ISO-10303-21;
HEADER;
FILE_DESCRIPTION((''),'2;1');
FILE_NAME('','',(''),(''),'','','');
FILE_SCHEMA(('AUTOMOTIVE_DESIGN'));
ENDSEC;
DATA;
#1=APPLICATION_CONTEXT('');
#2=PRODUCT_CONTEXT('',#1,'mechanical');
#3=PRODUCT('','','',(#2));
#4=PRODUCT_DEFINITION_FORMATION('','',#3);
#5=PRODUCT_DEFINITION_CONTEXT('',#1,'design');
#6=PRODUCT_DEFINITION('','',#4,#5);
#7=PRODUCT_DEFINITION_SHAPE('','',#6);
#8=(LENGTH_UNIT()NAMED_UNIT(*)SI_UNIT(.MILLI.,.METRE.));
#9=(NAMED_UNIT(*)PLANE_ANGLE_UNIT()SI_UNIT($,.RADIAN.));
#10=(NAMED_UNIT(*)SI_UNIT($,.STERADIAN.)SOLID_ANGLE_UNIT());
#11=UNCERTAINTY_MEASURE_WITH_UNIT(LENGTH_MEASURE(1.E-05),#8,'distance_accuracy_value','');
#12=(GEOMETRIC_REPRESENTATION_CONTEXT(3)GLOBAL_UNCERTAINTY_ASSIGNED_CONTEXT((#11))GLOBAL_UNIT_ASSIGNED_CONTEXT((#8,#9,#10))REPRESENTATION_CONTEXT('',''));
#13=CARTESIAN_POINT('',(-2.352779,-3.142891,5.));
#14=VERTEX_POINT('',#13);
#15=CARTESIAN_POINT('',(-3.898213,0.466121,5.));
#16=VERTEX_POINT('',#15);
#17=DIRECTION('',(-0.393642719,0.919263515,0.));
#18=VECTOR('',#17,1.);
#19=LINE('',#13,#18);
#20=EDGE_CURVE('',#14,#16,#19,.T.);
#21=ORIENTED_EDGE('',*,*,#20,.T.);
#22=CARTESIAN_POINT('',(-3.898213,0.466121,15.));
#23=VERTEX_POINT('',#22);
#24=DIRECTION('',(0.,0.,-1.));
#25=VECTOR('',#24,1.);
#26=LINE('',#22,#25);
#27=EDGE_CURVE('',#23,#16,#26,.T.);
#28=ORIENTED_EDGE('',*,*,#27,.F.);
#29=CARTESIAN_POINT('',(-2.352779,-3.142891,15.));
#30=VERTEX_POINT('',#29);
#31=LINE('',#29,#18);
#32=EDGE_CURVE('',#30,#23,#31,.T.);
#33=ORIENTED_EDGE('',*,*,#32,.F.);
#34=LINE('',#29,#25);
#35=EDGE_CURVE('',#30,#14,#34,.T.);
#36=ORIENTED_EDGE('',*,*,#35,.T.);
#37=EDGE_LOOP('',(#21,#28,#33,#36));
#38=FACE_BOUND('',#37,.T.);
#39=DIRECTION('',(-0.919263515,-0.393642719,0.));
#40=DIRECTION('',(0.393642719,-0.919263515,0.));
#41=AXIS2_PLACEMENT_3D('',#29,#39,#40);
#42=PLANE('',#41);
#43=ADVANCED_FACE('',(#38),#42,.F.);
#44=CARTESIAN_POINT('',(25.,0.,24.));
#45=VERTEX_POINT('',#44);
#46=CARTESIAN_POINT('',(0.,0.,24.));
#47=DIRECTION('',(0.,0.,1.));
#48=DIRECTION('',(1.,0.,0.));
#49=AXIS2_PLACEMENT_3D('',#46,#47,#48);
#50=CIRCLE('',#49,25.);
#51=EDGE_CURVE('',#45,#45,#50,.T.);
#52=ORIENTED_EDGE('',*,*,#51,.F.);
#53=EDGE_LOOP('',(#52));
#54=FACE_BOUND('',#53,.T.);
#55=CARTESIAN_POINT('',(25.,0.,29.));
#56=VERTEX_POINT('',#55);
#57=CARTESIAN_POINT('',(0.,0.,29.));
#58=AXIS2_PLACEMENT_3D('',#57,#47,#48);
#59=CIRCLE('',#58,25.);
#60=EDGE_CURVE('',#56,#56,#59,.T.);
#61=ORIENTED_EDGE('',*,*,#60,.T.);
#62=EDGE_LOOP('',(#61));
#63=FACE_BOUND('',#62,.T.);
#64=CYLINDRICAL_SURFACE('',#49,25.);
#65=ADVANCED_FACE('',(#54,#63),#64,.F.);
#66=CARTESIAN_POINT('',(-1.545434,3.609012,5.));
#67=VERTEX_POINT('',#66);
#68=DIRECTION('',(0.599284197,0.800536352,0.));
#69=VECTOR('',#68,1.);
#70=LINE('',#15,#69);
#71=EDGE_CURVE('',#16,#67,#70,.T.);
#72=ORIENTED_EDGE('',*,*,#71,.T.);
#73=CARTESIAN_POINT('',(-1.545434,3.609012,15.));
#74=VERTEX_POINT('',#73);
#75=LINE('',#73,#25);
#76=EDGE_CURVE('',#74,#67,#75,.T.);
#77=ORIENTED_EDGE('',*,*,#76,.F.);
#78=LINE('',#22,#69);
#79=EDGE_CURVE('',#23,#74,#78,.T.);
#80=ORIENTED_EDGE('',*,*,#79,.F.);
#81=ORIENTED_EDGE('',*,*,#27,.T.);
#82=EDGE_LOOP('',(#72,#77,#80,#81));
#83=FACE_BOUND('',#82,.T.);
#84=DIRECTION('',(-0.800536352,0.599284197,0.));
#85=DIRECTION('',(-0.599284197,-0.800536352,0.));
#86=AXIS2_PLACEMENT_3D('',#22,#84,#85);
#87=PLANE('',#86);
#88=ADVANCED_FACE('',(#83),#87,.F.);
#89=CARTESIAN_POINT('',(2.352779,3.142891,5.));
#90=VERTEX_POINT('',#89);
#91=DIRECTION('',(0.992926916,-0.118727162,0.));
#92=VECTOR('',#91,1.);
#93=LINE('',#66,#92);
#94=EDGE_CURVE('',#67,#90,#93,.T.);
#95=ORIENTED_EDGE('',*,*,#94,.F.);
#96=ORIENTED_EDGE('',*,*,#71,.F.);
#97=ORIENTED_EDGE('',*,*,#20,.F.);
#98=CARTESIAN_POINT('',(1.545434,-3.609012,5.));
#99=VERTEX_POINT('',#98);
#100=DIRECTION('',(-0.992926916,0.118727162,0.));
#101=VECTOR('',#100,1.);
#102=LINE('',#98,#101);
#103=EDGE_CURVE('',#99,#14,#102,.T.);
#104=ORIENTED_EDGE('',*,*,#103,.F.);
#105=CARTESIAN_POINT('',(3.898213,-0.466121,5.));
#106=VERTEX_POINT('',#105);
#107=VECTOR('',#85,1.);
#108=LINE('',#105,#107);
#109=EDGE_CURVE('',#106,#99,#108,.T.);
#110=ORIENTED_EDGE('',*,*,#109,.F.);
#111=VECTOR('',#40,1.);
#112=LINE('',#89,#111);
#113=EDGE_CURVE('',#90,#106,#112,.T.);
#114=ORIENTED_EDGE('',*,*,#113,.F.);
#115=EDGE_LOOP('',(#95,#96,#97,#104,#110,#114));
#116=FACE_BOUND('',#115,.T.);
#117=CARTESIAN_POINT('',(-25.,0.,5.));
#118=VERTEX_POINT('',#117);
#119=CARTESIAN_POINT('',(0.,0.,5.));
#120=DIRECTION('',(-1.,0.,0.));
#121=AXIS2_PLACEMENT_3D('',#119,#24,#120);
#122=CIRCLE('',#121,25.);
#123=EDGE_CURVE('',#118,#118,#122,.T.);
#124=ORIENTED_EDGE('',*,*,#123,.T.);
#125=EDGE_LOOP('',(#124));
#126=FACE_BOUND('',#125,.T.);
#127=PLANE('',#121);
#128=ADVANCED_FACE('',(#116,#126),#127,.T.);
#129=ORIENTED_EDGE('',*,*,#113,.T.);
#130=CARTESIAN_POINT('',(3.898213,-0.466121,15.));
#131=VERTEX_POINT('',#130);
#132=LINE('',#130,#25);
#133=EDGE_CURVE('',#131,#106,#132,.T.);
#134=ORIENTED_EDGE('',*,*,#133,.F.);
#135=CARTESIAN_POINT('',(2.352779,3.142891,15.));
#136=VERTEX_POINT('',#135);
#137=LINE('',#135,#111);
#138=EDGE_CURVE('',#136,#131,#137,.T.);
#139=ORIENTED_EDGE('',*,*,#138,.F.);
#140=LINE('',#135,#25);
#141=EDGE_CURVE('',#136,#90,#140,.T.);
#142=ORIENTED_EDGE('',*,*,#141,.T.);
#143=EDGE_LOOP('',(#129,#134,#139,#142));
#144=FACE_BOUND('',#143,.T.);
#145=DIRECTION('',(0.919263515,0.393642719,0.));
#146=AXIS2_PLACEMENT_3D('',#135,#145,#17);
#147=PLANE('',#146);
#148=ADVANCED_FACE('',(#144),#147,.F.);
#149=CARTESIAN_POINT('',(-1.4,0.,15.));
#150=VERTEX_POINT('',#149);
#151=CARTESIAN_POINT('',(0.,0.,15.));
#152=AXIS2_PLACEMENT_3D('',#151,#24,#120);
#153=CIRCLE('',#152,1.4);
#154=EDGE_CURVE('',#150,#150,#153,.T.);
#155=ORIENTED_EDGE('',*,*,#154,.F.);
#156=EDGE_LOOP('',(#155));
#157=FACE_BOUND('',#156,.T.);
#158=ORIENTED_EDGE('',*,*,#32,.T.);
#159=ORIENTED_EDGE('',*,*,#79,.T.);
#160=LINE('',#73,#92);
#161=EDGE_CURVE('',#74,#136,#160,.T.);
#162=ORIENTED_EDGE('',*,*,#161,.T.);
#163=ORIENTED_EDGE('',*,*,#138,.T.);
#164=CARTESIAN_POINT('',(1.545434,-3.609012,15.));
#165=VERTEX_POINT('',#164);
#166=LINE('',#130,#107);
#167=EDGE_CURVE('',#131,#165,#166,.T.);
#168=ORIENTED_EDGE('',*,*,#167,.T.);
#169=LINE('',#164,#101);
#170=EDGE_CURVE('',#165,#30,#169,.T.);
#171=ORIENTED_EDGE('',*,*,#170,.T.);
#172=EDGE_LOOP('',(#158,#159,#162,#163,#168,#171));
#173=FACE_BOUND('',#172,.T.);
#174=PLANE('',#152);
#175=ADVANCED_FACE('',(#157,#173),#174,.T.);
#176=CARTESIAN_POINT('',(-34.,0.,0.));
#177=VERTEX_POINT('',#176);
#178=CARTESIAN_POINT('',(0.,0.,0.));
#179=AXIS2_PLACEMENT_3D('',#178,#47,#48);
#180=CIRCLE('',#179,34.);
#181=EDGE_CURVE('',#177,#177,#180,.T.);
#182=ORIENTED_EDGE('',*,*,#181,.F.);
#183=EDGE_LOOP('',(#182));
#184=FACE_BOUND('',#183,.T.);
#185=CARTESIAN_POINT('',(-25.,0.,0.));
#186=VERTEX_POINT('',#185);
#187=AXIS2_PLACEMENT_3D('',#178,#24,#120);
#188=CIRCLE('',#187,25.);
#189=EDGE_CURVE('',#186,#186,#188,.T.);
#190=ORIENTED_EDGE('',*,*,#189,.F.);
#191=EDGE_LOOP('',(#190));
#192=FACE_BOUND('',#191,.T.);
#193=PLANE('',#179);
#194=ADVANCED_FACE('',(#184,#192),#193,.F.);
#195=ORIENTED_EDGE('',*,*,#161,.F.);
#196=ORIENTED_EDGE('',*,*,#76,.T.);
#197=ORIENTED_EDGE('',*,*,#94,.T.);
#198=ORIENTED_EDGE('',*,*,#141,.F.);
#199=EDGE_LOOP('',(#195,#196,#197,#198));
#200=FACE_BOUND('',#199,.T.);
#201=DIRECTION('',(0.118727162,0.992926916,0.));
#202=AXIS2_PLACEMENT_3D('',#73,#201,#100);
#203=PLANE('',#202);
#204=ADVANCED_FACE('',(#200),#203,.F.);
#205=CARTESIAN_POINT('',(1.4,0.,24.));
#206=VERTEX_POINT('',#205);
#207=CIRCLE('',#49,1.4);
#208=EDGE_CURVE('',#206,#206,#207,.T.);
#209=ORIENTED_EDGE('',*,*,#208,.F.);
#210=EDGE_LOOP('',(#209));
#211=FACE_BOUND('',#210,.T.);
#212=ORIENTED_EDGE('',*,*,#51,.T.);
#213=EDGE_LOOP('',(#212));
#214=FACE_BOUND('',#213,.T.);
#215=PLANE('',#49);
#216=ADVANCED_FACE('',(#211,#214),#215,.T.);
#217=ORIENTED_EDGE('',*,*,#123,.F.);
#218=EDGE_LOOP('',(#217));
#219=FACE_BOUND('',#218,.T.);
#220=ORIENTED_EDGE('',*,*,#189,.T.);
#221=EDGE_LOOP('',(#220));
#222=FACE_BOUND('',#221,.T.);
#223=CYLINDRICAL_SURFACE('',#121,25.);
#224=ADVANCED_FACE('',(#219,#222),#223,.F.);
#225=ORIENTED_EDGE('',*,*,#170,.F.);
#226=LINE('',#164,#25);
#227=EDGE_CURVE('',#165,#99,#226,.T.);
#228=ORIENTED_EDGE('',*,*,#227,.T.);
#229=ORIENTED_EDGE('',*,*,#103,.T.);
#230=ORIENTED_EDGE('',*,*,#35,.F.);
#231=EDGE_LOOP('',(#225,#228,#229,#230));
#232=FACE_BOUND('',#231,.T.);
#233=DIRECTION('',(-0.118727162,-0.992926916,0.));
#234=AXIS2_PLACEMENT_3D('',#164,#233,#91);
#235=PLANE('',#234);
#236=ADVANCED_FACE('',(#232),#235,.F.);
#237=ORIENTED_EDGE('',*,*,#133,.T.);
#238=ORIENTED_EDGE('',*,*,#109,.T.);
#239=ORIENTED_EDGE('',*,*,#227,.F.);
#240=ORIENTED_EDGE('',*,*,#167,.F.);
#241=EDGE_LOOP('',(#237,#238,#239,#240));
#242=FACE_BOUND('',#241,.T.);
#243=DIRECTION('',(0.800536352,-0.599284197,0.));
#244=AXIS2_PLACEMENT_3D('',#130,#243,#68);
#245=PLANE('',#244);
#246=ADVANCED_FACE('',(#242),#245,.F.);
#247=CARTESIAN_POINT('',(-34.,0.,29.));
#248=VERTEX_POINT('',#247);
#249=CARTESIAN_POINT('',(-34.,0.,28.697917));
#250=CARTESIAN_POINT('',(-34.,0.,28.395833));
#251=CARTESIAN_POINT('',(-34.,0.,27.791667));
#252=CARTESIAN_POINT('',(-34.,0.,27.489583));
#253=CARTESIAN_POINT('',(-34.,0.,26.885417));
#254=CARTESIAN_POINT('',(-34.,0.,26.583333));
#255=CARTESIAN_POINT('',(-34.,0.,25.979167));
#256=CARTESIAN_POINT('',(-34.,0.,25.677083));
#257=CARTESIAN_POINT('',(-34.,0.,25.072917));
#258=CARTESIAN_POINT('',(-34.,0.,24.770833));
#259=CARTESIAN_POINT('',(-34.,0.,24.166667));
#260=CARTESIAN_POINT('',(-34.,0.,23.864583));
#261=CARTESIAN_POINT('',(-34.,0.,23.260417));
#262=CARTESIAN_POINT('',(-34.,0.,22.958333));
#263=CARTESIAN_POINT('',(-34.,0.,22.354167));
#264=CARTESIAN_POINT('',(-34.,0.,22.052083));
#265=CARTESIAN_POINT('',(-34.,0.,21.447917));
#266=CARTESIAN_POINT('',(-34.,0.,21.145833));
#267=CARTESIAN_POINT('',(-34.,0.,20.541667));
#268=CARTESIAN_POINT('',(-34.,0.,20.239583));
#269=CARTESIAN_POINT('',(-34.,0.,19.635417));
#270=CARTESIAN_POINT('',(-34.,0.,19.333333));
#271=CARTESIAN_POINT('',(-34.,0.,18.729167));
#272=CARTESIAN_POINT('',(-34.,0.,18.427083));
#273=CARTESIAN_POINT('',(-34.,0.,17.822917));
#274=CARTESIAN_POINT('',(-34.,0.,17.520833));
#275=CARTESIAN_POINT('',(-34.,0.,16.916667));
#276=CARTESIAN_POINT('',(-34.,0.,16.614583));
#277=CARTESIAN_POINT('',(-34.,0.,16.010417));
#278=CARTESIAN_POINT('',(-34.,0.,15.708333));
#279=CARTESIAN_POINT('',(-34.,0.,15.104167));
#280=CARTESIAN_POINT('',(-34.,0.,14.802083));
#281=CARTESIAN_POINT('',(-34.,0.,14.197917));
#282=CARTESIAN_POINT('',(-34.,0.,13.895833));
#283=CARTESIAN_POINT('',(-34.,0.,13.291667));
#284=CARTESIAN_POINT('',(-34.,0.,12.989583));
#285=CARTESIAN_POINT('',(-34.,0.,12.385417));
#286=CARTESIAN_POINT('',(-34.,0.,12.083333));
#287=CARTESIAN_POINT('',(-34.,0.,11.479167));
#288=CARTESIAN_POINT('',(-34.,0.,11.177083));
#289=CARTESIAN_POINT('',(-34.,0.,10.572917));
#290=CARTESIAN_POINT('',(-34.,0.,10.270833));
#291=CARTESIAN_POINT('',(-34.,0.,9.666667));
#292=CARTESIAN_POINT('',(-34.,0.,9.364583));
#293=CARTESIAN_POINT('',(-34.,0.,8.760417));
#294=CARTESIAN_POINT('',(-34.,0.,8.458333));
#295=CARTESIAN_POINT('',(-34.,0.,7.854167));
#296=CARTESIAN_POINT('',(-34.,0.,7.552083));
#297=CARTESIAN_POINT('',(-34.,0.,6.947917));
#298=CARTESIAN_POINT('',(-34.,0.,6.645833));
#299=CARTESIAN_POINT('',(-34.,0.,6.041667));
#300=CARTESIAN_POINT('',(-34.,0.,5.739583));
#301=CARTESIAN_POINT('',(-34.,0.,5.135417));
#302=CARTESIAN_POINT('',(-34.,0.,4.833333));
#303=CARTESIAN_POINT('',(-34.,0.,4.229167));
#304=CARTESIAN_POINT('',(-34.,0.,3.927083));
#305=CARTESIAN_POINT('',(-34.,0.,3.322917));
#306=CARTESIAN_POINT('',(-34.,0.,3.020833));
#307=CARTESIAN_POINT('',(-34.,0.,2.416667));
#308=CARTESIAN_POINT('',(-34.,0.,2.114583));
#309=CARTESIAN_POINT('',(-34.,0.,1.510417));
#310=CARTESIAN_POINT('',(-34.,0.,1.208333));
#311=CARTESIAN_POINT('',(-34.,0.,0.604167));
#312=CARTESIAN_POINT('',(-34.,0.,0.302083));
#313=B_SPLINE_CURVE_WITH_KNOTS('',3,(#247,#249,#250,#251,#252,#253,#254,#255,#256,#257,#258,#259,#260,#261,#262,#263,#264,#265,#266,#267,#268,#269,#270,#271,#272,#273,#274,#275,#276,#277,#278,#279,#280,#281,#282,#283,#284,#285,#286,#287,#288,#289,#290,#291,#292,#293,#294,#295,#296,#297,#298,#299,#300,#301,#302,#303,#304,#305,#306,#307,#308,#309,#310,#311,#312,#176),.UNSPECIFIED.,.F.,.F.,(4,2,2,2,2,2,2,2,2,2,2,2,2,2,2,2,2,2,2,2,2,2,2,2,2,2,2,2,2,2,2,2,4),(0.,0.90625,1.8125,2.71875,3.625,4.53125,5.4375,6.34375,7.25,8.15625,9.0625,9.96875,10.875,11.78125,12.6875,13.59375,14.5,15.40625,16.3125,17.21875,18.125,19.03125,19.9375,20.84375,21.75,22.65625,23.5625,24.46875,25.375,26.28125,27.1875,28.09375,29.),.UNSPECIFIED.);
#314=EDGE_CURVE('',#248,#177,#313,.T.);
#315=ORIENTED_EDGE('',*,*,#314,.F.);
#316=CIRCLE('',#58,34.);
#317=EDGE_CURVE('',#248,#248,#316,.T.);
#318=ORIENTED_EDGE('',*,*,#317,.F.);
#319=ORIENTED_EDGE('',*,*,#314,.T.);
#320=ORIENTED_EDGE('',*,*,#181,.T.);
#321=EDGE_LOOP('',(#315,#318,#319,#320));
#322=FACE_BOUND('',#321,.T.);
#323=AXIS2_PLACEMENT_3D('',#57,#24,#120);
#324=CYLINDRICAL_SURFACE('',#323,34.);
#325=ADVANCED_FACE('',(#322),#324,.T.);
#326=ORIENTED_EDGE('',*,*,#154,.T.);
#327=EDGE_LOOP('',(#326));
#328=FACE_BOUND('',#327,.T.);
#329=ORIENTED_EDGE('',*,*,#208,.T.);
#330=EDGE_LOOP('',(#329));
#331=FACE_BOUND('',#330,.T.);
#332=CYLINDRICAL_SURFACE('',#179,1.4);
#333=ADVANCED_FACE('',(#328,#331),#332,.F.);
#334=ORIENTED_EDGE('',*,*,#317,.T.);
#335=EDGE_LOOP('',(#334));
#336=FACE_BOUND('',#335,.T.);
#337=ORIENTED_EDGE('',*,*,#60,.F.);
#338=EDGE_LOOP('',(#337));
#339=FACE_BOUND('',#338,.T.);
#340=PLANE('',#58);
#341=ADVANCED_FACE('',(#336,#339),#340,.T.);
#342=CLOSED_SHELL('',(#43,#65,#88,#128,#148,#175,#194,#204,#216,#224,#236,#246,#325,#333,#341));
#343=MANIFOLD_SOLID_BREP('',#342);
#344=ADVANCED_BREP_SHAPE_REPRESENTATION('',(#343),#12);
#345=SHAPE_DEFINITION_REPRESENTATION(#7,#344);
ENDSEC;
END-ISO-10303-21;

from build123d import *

# Parameters (mm, degrees)
SKETCH_1_R          = 34
EXTRUDE_1_DEPTH     = 29
SKETCH_2_R          = 25
CUT_EXTRUDE_1_DEPTH = 5
CUT_EXTRUDE_START   = -5
SKETCH_3_R          = 25
CUT_EXTRUDE_2_DEPTH = 5
CUT_EXTRUDE_3_DEPTH = 10
SKETCH_5_R          = 1.4
CUT_EXTRUDE_4_DEPTH = 54.74011537


with BuildPart() as part:
    # 草图1 → 凸台-拉伸1 (new body)
    with BuildSketch(Plane.XY):
        with Locations(Location((0, 0, 0), (0, 0, 180))):
            Circle(SKETCH_1_R)
    extrude(amount=EXTRUDE_1_DEPTH)

    # 草图2 → 切除-拉伸1 (cut)
    with BuildSketch(Plane.XY.offset(29)):
        Circle(SKETCH_2_R)
    extrude(amount=-CUT_EXTRUDE_1_DEPTH, mode=Mode.SUBTRACT)

    # 草图3 → 切除-拉伸2 (cut)
    with BuildSketch(Plane(origin=(0, 0, 0), x_dir=(-1, 0, 0), z_dir=(0, 0, -1)).offset(CUT_EXTRUDE_START)):
        with Locations(Location((0, 0, 0), (0, 0, 180))):
            Circle(SKETCH_3_R)
    extrude(amount=CUT_EXTRUDE_2_DEPTH, mode=Mode.SUBTRACT)

    # 草图4 → 切除-拉伸3 (cut)
    with BuildSketch(Plane(origin=(0, 0, 5), x_dir=(-1, 0, 0), z_dir=(0, 0, -1))):
        Polygon((2.352778868, -3.142891174), (3.898213032, 0.466120682), (1.545434164, 3.609011856), (-2.352778868, 3.142891174), (-3.898213032, -0.466120682), (-1.545434164, -3.609011856), align=None)
    extrude(amount=-CUT_EXTRUDE_3_DEPTH, mode=Mode.SUBTRACT)

    # 草图5 → 切除-拉伸4 (cut, through all)
    with BuildSketch(Plane.XY.offset(24)):
        Circle(SKETCH_5_R)
    extrude(amount=-CUT_EXTRUDE_4_DEPTH, mode=Mode.SUBTRACT)


solid = part.part
